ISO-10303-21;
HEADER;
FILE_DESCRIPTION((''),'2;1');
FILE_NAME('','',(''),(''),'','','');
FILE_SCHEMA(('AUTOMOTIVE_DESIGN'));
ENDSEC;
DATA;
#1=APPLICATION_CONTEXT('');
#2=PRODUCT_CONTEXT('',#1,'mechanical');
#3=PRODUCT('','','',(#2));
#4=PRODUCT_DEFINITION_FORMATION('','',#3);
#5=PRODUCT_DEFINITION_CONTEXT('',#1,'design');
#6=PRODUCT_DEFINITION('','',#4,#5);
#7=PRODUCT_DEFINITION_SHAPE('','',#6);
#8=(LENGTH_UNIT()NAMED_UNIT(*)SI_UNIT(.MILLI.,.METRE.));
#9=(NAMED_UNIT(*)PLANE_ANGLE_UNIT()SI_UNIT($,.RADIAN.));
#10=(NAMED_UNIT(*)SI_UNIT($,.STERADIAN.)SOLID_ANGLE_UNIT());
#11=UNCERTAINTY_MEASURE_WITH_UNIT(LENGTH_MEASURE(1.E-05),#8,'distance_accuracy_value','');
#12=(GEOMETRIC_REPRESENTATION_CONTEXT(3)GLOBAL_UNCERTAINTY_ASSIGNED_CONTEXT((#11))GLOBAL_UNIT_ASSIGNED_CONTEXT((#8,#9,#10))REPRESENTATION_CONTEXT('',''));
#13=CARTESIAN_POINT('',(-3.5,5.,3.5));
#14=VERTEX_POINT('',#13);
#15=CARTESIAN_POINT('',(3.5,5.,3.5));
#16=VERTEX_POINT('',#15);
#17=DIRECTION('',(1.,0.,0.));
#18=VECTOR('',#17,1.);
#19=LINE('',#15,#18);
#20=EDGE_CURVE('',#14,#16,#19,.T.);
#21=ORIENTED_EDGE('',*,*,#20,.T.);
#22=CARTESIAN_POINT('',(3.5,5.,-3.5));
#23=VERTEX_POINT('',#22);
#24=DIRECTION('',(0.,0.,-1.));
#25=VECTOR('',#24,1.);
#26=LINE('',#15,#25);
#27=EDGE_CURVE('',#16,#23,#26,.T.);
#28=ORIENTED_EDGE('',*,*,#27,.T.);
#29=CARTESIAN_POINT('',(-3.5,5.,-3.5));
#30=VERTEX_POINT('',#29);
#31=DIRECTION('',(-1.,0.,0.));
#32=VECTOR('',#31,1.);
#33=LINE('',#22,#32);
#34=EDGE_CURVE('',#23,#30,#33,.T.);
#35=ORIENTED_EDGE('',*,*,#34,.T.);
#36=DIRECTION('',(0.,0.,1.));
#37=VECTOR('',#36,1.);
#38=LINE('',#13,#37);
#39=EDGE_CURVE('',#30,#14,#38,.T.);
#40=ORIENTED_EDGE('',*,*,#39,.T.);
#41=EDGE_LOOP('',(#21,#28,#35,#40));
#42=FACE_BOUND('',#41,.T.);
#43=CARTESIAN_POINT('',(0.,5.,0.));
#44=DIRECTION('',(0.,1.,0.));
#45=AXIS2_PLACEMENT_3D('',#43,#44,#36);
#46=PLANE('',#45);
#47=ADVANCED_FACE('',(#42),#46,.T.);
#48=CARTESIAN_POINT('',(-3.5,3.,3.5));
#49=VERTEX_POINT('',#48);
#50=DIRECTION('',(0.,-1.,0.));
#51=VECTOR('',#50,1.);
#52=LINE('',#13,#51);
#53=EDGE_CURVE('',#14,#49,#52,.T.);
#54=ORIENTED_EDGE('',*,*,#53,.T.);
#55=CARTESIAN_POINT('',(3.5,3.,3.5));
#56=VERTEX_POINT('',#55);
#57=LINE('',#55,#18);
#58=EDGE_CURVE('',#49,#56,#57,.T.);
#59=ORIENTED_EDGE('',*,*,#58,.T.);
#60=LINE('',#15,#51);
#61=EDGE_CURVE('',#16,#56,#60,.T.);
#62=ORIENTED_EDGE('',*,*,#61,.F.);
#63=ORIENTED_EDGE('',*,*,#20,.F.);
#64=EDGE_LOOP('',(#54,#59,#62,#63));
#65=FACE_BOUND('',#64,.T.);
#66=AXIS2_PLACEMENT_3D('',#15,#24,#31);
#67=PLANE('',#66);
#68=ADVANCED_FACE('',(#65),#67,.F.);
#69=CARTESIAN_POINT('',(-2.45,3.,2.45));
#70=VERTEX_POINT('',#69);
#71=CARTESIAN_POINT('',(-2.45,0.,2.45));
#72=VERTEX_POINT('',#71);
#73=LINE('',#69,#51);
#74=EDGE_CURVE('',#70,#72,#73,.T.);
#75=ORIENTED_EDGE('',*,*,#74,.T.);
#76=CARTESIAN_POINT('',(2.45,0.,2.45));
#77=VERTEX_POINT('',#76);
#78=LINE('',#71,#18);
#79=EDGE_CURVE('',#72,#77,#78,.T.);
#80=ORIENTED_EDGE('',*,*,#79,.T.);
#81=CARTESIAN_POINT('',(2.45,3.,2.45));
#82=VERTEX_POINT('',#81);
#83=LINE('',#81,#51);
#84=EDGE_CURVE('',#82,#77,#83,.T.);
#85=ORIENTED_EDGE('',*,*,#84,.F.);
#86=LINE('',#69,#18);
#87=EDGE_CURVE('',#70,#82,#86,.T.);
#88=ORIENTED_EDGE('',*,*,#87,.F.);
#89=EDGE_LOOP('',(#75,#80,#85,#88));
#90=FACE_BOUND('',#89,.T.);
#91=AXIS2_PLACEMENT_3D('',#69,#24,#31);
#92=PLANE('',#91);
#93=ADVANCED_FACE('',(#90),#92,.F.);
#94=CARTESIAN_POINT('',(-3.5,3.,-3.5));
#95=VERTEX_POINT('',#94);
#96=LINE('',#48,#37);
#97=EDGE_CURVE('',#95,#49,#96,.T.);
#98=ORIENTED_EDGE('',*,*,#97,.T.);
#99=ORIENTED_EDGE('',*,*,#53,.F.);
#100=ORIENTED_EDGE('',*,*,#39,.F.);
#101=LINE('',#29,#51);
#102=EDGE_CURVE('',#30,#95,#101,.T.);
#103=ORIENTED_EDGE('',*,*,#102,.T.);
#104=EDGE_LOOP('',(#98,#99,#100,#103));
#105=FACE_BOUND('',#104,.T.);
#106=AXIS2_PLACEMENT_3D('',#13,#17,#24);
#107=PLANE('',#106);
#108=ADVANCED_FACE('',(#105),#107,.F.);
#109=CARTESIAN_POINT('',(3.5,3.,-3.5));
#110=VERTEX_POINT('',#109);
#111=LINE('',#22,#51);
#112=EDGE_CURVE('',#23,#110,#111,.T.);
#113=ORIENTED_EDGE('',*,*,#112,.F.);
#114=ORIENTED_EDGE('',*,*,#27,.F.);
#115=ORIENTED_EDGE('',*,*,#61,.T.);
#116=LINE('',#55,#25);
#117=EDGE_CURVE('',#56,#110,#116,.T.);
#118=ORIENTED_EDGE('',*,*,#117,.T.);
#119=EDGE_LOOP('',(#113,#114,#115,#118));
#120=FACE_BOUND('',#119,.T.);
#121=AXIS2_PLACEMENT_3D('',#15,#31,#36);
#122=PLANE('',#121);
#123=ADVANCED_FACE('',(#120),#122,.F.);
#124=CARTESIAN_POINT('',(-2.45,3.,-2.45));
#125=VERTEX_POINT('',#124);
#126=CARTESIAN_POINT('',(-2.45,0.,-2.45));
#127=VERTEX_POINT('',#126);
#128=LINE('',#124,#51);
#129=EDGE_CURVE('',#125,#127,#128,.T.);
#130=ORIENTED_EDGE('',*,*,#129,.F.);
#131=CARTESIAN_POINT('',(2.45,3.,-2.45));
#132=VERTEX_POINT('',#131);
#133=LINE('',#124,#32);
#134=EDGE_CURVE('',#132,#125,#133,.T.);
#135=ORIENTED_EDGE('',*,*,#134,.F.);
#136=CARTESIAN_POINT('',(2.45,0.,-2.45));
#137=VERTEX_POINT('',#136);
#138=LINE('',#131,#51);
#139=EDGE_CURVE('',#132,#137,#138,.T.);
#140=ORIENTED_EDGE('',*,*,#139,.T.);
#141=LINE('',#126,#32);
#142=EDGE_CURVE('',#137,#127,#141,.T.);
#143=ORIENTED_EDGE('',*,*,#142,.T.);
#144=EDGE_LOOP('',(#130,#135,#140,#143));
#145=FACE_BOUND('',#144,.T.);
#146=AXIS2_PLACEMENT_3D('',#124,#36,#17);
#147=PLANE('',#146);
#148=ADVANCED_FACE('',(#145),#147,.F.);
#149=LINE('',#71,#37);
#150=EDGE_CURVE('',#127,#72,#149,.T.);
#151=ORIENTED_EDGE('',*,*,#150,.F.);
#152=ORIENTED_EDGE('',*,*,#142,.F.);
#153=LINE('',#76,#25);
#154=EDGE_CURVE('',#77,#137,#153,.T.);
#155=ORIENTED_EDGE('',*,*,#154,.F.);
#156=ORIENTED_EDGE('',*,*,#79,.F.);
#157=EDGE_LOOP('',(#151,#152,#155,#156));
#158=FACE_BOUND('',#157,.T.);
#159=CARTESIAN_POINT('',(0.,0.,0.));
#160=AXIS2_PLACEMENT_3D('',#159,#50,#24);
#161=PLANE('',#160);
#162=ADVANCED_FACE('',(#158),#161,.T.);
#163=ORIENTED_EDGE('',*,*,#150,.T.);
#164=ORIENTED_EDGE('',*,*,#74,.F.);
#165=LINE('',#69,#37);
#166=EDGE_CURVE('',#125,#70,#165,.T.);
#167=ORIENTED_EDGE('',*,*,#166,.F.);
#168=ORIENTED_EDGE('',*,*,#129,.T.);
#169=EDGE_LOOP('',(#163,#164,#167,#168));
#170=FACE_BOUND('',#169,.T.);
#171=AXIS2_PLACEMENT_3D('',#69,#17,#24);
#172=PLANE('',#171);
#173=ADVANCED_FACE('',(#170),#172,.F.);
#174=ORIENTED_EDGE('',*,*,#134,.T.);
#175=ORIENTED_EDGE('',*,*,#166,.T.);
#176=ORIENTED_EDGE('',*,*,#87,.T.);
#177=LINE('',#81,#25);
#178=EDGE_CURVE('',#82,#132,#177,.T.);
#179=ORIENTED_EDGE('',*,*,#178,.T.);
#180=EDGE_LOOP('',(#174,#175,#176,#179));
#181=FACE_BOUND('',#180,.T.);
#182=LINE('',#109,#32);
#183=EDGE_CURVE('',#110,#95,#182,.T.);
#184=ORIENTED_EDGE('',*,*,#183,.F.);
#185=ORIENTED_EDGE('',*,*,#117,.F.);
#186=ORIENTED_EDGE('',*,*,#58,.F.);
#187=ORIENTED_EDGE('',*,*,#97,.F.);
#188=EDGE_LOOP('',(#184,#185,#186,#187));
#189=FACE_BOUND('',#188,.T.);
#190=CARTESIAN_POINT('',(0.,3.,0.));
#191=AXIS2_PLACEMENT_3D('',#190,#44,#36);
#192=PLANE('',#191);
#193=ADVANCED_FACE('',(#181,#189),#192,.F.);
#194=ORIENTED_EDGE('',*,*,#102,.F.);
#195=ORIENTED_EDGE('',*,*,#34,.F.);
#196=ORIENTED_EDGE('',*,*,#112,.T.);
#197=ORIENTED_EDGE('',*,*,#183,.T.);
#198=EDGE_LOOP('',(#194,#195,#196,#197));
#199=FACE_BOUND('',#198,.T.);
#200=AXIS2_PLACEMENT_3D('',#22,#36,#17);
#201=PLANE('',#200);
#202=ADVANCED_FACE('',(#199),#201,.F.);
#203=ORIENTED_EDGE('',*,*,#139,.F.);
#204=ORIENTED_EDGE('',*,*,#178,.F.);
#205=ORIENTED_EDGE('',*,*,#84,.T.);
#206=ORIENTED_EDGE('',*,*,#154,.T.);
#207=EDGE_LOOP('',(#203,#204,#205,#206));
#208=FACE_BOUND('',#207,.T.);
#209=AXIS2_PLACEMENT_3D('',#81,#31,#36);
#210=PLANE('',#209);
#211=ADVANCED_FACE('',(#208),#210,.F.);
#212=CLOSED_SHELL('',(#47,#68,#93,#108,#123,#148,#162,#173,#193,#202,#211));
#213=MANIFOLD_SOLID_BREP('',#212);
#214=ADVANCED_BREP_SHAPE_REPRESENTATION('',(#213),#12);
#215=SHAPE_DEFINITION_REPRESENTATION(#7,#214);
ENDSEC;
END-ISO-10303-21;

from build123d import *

# Parameters (mm, degrees)
CROQUIS1_W              = 4.9
CROQUIS1_H              = 4.9
SALIENTE_EXTRUIR1_DEPTH = 3
CROQUIS2_W              = 7
CROQUIS2_H              = 7
SALIENTE_EXTRUIR2_DEPTH = 2


with BuildPart() as part:
    # Croquis1 → Saliente-Extruir1 (new body)
    with BuildSketch(Plane(origin=(0, 0, 0), x_dir=(1, 0, 0), z_dir=(0, 1, 0))):
        Rectangle(CROQUIS1_W, CROQUIS1_H)
    extrude(amount=SALIENTE_EXTRUIR1_DEPTH)

    # Croquis2 → Saliente-Extruir2 (add)
    with BuildSketch(Plane(origin=(0, 3, 0), x_dir=(1, 0, 0), z_dir=(0, 1, 0))):
        Rectangle(CROQUIS2_W, CROQUIS2_H)
    extrude(amount=SALIENTE_EXTRUIR2_DEPTH)


solid = part.part
